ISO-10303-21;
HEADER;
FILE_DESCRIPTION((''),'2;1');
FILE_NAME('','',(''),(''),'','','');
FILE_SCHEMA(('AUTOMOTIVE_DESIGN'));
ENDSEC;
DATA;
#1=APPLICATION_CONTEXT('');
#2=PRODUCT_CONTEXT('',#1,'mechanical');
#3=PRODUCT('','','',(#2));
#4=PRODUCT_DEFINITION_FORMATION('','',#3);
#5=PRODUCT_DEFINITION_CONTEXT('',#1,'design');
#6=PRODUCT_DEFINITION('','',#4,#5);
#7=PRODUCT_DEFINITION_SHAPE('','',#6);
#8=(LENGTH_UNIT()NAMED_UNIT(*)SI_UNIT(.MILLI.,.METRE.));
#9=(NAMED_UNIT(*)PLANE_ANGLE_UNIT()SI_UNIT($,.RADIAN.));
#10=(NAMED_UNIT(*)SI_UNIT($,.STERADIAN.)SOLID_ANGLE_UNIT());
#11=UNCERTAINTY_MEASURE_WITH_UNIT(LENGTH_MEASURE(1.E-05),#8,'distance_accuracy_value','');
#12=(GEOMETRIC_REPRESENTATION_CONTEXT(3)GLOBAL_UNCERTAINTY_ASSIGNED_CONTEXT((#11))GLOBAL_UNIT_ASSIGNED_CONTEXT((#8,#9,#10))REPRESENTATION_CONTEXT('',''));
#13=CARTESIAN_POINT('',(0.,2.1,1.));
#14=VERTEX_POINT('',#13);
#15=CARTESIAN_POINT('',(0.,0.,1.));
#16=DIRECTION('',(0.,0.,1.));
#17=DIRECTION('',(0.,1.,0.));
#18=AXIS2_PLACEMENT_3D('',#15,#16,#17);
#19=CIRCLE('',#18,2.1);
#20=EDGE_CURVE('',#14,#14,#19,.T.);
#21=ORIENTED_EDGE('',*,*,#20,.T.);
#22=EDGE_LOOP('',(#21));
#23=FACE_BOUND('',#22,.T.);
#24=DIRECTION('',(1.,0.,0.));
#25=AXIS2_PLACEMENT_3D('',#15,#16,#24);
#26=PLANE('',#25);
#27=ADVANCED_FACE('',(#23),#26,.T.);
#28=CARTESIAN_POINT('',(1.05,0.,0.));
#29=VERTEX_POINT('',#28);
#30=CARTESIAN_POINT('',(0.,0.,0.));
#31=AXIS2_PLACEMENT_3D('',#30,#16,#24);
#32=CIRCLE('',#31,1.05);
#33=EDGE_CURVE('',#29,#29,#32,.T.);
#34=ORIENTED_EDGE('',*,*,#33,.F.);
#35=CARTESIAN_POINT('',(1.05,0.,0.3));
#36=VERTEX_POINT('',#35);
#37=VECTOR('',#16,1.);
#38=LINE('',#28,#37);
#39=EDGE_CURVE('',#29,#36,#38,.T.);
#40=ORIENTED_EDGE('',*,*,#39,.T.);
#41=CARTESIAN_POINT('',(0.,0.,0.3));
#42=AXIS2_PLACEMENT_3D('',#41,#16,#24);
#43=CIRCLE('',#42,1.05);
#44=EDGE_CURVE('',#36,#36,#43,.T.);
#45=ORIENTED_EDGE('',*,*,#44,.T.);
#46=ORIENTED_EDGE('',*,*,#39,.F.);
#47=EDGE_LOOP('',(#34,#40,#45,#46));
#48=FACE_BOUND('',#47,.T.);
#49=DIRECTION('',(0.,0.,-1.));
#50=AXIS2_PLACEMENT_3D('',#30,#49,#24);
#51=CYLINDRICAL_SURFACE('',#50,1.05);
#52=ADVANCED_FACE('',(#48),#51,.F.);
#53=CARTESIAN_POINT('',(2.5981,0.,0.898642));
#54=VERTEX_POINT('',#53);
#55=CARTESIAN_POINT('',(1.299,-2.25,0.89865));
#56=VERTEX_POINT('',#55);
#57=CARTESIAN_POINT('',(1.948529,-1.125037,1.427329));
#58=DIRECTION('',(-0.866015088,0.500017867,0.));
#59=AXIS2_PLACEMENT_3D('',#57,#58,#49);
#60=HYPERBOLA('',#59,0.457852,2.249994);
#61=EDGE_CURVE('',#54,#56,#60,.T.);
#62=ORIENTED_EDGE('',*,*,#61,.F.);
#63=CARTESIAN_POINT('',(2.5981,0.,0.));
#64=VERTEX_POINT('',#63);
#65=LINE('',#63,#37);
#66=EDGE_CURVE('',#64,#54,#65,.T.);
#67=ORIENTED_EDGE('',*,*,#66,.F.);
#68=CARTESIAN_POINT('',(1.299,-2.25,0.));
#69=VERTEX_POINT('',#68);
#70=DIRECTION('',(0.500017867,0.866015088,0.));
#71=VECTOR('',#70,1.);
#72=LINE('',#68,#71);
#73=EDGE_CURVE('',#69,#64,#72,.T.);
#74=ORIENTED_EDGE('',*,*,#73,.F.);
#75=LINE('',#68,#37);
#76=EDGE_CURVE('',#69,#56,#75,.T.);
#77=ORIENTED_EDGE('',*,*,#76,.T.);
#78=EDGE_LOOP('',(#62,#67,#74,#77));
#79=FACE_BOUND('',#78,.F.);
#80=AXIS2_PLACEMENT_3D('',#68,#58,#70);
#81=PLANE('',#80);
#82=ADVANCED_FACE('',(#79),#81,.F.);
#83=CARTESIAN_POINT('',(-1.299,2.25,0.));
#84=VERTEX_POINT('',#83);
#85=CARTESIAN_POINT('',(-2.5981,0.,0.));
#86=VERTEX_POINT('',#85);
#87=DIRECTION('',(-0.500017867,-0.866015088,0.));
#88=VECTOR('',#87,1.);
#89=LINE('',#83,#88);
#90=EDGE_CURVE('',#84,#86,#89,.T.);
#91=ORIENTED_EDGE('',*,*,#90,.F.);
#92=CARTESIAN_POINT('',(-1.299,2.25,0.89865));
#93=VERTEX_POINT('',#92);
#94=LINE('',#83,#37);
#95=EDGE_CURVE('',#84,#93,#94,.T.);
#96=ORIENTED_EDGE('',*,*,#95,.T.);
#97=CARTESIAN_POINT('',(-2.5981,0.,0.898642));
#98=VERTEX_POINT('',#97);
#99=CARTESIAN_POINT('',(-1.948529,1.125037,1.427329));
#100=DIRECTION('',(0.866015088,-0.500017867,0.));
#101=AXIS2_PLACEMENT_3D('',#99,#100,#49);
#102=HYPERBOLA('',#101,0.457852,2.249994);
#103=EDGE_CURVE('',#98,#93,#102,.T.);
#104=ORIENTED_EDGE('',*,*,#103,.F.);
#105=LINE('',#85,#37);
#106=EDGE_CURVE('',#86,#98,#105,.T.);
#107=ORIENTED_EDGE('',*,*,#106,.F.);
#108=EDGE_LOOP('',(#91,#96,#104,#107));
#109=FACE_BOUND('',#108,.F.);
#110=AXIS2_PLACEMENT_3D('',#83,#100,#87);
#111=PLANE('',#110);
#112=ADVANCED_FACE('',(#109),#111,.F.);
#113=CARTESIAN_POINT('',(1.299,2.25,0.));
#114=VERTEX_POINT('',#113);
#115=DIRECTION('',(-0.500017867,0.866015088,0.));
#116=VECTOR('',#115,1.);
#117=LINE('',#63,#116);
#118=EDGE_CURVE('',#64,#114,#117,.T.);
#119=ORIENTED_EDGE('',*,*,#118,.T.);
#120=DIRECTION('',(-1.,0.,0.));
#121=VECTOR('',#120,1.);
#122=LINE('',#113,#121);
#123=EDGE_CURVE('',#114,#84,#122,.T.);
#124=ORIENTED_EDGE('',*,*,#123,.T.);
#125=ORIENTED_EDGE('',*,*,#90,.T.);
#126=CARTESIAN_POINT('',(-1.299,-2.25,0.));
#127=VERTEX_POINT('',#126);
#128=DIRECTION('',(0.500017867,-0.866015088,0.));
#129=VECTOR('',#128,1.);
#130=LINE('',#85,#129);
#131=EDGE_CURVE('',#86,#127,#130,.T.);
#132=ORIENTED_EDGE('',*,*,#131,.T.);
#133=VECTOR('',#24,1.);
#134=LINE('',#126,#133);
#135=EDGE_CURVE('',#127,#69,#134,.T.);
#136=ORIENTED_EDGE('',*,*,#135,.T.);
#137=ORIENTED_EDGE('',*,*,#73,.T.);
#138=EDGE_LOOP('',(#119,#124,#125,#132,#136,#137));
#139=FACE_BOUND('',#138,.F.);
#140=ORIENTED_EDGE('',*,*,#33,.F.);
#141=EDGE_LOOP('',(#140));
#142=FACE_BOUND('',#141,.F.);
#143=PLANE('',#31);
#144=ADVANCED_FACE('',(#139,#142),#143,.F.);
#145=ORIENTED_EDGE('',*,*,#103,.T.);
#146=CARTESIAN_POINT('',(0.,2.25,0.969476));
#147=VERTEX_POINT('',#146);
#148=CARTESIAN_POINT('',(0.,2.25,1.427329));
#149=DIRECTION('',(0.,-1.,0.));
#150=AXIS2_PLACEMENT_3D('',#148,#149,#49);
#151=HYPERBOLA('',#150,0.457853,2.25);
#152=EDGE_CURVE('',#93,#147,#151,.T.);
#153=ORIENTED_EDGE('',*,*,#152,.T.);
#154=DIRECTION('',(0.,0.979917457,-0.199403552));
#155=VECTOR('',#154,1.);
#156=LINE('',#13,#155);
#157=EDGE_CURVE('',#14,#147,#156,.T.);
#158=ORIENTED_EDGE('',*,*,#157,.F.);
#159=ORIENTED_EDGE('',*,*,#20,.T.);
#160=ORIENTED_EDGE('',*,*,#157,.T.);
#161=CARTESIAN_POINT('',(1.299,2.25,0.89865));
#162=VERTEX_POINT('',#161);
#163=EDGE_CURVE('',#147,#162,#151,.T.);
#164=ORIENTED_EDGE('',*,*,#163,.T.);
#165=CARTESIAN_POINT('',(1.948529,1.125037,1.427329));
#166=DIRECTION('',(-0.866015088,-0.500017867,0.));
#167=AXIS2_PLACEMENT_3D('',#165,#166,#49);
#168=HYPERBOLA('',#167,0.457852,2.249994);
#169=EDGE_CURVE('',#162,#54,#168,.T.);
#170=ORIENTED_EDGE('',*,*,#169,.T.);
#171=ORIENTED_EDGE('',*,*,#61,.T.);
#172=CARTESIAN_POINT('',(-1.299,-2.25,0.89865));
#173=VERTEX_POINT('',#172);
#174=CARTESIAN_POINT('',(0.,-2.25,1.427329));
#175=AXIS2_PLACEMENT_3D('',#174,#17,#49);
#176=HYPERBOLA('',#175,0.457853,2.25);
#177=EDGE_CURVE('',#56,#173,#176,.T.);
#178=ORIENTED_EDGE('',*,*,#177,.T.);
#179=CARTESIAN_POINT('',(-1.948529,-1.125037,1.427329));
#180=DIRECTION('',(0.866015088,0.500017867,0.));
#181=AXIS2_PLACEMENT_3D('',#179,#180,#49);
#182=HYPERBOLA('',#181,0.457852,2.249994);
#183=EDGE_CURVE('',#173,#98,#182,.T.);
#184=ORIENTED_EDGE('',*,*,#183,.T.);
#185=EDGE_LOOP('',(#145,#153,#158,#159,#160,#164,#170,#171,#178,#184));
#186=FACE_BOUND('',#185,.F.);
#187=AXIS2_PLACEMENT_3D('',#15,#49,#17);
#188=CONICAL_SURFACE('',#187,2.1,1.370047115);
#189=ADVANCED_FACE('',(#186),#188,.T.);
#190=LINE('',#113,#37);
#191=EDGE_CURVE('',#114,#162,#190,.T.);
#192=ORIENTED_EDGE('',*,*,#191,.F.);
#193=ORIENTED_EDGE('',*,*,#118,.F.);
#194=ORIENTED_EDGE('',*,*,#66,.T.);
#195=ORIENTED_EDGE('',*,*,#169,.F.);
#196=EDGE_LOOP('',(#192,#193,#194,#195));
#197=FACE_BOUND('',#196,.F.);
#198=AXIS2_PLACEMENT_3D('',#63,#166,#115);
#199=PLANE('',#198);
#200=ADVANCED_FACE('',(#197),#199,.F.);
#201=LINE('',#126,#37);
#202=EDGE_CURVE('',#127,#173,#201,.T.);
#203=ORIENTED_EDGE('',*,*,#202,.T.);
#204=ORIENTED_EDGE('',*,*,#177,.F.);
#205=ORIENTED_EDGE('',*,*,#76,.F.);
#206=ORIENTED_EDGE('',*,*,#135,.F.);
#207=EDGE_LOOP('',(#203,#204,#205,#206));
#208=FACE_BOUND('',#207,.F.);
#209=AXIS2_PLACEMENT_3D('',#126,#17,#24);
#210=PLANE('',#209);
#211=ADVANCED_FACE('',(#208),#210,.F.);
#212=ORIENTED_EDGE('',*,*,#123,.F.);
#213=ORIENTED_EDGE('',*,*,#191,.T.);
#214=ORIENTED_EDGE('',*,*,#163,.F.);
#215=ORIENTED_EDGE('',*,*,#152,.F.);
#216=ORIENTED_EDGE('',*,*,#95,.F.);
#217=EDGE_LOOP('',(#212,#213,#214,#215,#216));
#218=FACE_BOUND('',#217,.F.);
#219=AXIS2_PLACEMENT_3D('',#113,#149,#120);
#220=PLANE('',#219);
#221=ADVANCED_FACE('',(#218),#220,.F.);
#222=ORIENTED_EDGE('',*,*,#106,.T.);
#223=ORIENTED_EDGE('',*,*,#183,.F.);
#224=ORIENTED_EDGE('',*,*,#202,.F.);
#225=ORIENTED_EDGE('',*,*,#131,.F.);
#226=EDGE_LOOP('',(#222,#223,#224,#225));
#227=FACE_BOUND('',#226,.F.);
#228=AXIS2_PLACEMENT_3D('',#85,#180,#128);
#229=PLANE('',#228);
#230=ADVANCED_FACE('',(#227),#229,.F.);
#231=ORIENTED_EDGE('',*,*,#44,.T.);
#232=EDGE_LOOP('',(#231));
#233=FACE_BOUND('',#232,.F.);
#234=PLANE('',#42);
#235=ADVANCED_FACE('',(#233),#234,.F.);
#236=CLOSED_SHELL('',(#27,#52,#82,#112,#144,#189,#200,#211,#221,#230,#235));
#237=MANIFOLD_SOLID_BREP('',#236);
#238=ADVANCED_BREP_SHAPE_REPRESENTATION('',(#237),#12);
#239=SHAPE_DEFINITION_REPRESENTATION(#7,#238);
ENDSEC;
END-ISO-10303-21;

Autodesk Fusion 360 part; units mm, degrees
sketch "Sketch1" plane through (0, 0, 0) normal (0, 0, 1) x (1, 0, 0) in component "Component"
  circle A0 centre (0, 0) radius 1.05
  line L0 (-1.299, 2.25) -> (-2.5981, 0)
  line L1 (-2.5981, 0) -> (-1.299, -2.25)
  line L2 (-1.299, -2.25) -> (1.299, -2.25)
  line L3 (1.299, -2.25) -> (2.5981, 0)
  line L4 (2.5981, 0) -> (1.299, 2.25)
  line L5 (1.299, 2.25) -> (-1.299, 2.25)
  dimension "d1" = 2.1
  dimension "d3" = 2.25
extrude "Extrude1" add sketch "Sketch1" along normal blind 1 contours A0 | L0 L1 L2 L3 L4 L5 in component "Component"
extrude "Extrude2" cut sketch "Sketch1" along normal blind 0.3 contours A0 in component "Component"
sketch "Sketch2" plane through (0, 0, 0) normal (1, 0, 0) x (0, 1, 0) in component "Component"
  line L0 (2.1, 1) -> (3.0799, 0.8006)
  line L1 (2.1, 1) -> (3.1, 1) construction
  line L2 (3.0799, 0.8006) -> (3.1, 1)
  line L3 (2.1, 1) -> (3.1, 1)
  dimension "d8" = 1
  dimension "d9" = 11.5
revolve "Revolve1" cut sketch "Sketch2" angle 360 about axis through (0, 0, 1.75) along (0, 0, 1) in component "Component"
component "Component" placed x (1, 0, 0) y (0, 1, 0) z (0, 0, 1) at (0, 0, 0)
